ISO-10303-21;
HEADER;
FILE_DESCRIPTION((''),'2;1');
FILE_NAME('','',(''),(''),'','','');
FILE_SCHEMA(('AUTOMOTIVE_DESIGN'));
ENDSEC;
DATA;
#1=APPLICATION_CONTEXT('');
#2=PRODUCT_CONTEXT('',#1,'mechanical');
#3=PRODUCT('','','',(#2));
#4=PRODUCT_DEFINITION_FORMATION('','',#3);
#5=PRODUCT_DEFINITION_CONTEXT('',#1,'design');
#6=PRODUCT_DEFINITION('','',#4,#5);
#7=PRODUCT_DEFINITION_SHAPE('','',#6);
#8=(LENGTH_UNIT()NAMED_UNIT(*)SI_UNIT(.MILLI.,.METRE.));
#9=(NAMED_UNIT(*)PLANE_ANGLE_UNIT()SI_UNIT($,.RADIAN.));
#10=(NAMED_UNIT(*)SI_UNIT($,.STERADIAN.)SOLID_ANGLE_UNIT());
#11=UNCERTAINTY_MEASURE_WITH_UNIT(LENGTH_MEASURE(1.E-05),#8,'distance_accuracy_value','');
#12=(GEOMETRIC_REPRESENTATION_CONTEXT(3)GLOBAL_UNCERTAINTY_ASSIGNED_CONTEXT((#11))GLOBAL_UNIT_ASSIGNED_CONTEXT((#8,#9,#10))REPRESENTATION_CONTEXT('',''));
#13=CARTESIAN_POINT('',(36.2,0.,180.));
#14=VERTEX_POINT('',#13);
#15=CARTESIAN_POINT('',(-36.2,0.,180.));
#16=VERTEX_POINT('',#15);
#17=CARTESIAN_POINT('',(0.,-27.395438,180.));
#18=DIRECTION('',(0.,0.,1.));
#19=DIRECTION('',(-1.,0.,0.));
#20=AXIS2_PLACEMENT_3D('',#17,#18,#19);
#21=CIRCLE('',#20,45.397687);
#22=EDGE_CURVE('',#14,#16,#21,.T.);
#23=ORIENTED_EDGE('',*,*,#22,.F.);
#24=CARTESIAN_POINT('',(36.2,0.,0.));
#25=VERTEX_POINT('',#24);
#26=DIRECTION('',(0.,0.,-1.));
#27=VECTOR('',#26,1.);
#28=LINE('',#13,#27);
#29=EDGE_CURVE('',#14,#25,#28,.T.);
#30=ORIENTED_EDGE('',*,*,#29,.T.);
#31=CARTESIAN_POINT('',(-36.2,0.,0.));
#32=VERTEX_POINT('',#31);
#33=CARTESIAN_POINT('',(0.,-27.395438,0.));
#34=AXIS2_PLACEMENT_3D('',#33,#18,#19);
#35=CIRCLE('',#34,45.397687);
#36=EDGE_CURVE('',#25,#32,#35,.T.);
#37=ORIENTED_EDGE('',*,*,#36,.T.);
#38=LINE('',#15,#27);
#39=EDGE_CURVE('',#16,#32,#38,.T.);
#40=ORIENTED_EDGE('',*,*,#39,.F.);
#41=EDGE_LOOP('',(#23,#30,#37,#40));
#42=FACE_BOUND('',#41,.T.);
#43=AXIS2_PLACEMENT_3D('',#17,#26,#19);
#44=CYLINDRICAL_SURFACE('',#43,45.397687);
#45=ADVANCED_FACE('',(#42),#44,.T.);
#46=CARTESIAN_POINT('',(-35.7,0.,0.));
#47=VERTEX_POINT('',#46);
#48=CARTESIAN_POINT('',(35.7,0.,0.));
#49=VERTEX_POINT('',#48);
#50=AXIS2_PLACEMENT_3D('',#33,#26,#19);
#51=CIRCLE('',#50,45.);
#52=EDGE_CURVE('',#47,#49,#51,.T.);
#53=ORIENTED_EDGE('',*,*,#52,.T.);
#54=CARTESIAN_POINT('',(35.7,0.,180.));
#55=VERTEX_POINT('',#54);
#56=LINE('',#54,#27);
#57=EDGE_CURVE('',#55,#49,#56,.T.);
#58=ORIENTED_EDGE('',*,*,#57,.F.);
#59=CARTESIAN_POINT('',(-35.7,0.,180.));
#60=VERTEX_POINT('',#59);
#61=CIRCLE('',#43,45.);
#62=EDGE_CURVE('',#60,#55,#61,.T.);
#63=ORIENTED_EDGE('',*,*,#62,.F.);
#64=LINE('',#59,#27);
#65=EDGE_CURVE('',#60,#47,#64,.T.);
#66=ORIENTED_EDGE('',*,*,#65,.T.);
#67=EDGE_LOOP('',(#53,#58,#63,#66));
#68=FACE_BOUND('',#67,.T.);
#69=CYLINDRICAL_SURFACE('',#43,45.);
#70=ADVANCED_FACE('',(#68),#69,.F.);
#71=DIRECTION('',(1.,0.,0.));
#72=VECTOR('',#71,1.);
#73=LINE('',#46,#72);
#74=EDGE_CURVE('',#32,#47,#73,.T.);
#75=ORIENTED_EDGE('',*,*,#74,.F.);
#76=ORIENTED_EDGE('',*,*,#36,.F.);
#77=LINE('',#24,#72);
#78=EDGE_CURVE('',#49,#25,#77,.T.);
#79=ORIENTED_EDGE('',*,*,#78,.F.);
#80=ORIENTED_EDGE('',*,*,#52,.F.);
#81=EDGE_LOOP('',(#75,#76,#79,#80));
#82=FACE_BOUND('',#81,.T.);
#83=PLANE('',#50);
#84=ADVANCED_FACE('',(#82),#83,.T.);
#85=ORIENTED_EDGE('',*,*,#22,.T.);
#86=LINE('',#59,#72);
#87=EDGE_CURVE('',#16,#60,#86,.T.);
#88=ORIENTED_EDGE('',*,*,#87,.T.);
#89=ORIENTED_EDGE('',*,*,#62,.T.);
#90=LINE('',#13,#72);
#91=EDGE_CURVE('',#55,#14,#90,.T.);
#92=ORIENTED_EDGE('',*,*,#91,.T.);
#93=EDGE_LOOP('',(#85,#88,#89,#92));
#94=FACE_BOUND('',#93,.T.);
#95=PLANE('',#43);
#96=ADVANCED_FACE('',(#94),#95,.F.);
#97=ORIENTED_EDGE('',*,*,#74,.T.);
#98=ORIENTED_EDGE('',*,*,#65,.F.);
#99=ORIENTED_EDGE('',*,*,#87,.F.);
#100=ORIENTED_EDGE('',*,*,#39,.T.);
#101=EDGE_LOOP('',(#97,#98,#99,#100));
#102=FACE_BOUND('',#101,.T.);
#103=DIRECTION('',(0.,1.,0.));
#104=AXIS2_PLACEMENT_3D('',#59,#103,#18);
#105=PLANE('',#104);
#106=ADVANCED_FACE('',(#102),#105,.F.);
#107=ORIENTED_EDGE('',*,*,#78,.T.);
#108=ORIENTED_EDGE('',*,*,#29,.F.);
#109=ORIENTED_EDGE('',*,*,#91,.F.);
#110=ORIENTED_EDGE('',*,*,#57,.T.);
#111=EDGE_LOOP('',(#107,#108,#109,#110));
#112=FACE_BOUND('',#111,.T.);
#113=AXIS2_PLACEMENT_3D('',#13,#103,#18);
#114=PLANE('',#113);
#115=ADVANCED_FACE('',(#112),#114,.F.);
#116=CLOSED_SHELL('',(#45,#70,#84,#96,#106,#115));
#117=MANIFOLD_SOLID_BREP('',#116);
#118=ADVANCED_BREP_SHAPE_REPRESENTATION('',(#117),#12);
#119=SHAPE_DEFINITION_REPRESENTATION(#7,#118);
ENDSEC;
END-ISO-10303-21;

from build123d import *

# Parameters (mm, degrees)
EXTRUDE_1_DEPTH = 180


with BuildPart() as part:
    # Эскиз1 → Бобышка-Вытянуть1 (new body)
    with BuildSketch(Plane.XY):
        with BuildLine():
            Line((-35.7, 0), (-36.2, 0))
            ThreePointArc((-36.2, 0), (0, 18.002249589), (36.2, 0))
            Line((36.2, 0), (35.7, 0))
            ThreePointArc((35.7, 0), (0, 17.604562424), (-35.7, 0))
        make_face()
    extrude(amount=EXTRUDE_1_DEPTH)


solid = part.part
